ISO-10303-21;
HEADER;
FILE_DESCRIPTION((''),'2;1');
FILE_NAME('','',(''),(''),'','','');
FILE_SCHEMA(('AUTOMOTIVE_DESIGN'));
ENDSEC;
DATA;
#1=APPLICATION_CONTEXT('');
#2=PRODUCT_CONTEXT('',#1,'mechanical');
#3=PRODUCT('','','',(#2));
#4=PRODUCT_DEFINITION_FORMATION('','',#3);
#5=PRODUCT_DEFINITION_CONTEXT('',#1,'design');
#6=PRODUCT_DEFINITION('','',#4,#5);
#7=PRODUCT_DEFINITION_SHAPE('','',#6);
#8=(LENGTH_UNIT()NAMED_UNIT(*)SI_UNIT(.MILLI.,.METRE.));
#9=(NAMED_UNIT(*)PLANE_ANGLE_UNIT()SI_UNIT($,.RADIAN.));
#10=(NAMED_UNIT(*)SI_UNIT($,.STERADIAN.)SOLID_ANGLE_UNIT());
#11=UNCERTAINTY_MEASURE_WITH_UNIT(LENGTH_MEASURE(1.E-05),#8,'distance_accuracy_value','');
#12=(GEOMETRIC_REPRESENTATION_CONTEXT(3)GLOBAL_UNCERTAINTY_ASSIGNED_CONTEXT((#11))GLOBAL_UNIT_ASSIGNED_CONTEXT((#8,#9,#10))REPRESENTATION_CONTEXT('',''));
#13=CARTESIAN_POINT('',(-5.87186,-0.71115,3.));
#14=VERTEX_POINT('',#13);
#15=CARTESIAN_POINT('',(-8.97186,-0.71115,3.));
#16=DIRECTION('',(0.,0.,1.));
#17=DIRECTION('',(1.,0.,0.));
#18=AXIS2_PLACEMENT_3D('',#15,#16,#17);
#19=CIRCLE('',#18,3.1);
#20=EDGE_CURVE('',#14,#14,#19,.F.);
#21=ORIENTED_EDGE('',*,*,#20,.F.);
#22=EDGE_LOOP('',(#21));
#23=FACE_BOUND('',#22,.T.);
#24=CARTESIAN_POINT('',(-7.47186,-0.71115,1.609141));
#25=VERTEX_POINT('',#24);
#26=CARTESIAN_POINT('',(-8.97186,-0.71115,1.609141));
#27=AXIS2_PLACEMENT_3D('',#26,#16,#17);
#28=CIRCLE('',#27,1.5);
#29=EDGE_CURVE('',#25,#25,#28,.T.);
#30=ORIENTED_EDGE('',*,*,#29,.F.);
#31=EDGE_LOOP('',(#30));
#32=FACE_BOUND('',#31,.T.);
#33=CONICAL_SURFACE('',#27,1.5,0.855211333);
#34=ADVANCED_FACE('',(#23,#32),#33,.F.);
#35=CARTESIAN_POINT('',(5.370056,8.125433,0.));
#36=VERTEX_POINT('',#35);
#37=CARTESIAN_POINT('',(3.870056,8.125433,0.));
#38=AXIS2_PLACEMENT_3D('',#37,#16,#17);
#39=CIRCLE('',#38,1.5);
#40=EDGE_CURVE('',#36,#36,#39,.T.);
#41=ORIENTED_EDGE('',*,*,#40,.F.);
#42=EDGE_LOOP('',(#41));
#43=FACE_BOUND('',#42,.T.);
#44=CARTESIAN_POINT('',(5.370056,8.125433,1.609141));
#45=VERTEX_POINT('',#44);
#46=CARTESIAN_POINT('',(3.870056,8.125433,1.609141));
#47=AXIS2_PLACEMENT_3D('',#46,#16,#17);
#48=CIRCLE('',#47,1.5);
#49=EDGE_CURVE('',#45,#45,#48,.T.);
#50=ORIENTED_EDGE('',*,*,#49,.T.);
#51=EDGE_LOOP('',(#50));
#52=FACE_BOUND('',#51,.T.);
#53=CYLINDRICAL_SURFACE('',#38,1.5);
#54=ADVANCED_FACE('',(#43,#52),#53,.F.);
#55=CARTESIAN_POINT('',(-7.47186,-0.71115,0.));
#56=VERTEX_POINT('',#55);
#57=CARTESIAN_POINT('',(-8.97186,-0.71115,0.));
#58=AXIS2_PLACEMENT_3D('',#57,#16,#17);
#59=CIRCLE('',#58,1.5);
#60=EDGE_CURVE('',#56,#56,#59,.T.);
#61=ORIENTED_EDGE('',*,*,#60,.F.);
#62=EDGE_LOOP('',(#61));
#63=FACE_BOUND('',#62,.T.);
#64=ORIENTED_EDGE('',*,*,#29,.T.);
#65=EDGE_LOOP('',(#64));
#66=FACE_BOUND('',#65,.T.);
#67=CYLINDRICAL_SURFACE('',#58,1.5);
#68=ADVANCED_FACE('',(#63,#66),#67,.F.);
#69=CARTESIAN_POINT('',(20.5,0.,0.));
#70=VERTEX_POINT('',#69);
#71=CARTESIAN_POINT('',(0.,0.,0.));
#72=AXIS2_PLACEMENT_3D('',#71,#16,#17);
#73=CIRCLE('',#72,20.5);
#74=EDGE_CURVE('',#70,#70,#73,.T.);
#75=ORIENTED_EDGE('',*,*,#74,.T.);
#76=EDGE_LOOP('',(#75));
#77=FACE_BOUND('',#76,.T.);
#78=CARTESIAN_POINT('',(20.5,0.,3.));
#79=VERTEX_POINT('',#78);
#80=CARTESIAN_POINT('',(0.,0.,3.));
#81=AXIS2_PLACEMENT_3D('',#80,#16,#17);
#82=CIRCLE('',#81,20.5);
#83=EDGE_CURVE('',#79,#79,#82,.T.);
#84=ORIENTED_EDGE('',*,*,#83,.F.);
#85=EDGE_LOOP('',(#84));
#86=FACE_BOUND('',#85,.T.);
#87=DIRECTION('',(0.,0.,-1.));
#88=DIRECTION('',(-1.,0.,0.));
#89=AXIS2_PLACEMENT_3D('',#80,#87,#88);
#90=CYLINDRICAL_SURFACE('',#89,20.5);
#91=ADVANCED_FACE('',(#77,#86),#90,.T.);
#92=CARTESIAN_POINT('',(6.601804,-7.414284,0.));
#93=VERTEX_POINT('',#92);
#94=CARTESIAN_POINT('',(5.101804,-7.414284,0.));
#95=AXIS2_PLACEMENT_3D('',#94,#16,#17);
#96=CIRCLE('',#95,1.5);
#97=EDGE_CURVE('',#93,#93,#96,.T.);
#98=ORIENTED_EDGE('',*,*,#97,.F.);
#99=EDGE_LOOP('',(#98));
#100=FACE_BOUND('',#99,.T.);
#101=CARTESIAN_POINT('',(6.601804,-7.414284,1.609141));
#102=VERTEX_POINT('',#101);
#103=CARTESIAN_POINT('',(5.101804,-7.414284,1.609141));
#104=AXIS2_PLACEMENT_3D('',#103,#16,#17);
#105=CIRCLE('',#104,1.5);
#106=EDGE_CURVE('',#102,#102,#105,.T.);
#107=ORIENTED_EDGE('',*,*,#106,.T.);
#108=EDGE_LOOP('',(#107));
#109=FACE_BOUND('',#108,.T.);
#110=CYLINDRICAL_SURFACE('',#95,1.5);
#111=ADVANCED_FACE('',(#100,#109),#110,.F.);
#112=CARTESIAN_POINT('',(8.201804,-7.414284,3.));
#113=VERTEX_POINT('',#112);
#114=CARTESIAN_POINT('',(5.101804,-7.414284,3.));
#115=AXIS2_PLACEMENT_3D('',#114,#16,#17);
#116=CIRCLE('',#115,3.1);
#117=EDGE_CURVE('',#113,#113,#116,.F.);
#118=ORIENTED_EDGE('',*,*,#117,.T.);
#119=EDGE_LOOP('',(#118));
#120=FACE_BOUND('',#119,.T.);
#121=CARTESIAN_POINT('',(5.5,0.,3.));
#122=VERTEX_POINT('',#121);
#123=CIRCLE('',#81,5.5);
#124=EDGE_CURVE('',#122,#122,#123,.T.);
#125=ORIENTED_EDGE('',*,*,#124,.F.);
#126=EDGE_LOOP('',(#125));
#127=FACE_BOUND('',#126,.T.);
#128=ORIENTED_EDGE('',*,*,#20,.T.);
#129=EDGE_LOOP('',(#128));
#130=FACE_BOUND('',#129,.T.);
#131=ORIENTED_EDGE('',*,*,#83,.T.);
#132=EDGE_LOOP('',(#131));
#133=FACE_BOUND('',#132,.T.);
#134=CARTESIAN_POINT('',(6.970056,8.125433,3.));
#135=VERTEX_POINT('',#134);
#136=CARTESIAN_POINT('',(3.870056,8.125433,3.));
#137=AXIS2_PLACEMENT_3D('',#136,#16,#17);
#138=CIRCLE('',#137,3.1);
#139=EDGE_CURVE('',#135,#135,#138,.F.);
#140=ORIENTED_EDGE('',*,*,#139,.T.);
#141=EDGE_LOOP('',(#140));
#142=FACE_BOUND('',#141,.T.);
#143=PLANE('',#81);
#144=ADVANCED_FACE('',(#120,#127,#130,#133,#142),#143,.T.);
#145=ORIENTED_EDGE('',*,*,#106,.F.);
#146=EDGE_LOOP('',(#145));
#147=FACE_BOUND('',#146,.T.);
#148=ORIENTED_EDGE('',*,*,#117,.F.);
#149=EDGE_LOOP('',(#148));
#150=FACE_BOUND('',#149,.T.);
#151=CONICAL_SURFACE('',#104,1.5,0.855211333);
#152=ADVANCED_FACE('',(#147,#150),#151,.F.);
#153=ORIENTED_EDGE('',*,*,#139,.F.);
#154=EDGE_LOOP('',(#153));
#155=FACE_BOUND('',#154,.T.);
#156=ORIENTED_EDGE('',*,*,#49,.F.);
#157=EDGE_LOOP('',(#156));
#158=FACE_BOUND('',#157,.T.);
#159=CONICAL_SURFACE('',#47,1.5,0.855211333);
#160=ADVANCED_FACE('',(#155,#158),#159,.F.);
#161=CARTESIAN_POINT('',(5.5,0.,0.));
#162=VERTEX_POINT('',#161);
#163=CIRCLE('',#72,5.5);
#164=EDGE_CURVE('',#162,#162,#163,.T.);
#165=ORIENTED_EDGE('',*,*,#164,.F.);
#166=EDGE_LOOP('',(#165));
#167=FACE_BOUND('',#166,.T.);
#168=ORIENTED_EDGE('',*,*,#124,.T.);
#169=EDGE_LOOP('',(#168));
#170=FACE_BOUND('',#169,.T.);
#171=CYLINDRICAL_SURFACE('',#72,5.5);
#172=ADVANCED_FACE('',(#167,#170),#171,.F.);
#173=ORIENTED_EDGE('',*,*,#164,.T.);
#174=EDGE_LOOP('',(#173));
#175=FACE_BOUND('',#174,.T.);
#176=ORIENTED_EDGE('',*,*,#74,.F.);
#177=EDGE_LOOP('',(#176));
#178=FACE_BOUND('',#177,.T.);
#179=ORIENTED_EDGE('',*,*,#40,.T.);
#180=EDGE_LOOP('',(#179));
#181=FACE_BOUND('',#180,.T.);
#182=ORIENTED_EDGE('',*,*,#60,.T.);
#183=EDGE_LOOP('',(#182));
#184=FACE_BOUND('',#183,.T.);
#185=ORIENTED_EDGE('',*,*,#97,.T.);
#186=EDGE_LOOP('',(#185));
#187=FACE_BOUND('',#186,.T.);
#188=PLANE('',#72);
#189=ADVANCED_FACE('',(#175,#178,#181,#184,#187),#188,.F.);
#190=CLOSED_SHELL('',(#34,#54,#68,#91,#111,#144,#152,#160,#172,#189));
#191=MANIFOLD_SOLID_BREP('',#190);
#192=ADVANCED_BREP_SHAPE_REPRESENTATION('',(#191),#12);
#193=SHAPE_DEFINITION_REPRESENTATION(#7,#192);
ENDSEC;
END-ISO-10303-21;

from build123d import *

# Parameters (mm, degrees)
SKETCH1_R           = 20.5
BOSS_EXTRUDE1_DEPTH = 3
SKETCH2_R           = 1.5
CUT_EXTRUDE1_DEPTH  = 30.146183284
CHAMFER1_SIZE       = 1.6
CHAMFER1_SIZE2      = 1.390858781
SKETCH3_R           = 5.5
CUT_EXTRUDE2_DEPTH  = 30.146183284


with BuildPart() as part:
    # Sketch1 → Boss-Extrude1 (new body)
    with BuildSketch(Plane.XY):
        Circle(SKETCH1_R)
    extrude(amount=BOSS_EXTRUDE1_DEPTH)

    # Sketch2 → Cut-Extrude1 (cut, through all)
    with BuildSketch(Plane.XY.offset(3)):
        with Locations((-8.971859678, -0.711149714)):
            Circle(SKETCH2_R)
        with Locations((5.101803557, -7.414283544)):
            Circle(SKETCH2_R)
        with Locations((3.870056121, 8.125433257)):
            Circle(SKETCH2_R)
    extrude(amount=-CUT_EXTRUDE1_DEPTH, mode=Mode.SUBTRACT)

    # Chamfer1
    chamfer1_edges = [part.edges().sort_by_distance(p)[0] for p in [
        (3.601803557, -7.414283544, 3),
        (2.370056121, 8.125433257, 3),
        (-10.471859678, -0.711149714, 3),
    ]]
    chamfer1_side = [part.faces().sort_by_distance(p)[0] for p in [
        (0, 0, 3),
    ]]
    chamfer(chamfer1_edges, length=CHAMFER1_SIZE, length2=CHAMFER1_SIZE2, reference=chamfer1_side[0])

    # Sketch3 → Cut-Extrude2 (cut, through all)
    with BuildSketch(Plane.XY.offset(3)):
        Circle(SKETCH3_R)
    extrude(amount=-CUT_EXTRUDE2_DEPTH, mode=Mode.SUBTRACT)


solid = part.part
